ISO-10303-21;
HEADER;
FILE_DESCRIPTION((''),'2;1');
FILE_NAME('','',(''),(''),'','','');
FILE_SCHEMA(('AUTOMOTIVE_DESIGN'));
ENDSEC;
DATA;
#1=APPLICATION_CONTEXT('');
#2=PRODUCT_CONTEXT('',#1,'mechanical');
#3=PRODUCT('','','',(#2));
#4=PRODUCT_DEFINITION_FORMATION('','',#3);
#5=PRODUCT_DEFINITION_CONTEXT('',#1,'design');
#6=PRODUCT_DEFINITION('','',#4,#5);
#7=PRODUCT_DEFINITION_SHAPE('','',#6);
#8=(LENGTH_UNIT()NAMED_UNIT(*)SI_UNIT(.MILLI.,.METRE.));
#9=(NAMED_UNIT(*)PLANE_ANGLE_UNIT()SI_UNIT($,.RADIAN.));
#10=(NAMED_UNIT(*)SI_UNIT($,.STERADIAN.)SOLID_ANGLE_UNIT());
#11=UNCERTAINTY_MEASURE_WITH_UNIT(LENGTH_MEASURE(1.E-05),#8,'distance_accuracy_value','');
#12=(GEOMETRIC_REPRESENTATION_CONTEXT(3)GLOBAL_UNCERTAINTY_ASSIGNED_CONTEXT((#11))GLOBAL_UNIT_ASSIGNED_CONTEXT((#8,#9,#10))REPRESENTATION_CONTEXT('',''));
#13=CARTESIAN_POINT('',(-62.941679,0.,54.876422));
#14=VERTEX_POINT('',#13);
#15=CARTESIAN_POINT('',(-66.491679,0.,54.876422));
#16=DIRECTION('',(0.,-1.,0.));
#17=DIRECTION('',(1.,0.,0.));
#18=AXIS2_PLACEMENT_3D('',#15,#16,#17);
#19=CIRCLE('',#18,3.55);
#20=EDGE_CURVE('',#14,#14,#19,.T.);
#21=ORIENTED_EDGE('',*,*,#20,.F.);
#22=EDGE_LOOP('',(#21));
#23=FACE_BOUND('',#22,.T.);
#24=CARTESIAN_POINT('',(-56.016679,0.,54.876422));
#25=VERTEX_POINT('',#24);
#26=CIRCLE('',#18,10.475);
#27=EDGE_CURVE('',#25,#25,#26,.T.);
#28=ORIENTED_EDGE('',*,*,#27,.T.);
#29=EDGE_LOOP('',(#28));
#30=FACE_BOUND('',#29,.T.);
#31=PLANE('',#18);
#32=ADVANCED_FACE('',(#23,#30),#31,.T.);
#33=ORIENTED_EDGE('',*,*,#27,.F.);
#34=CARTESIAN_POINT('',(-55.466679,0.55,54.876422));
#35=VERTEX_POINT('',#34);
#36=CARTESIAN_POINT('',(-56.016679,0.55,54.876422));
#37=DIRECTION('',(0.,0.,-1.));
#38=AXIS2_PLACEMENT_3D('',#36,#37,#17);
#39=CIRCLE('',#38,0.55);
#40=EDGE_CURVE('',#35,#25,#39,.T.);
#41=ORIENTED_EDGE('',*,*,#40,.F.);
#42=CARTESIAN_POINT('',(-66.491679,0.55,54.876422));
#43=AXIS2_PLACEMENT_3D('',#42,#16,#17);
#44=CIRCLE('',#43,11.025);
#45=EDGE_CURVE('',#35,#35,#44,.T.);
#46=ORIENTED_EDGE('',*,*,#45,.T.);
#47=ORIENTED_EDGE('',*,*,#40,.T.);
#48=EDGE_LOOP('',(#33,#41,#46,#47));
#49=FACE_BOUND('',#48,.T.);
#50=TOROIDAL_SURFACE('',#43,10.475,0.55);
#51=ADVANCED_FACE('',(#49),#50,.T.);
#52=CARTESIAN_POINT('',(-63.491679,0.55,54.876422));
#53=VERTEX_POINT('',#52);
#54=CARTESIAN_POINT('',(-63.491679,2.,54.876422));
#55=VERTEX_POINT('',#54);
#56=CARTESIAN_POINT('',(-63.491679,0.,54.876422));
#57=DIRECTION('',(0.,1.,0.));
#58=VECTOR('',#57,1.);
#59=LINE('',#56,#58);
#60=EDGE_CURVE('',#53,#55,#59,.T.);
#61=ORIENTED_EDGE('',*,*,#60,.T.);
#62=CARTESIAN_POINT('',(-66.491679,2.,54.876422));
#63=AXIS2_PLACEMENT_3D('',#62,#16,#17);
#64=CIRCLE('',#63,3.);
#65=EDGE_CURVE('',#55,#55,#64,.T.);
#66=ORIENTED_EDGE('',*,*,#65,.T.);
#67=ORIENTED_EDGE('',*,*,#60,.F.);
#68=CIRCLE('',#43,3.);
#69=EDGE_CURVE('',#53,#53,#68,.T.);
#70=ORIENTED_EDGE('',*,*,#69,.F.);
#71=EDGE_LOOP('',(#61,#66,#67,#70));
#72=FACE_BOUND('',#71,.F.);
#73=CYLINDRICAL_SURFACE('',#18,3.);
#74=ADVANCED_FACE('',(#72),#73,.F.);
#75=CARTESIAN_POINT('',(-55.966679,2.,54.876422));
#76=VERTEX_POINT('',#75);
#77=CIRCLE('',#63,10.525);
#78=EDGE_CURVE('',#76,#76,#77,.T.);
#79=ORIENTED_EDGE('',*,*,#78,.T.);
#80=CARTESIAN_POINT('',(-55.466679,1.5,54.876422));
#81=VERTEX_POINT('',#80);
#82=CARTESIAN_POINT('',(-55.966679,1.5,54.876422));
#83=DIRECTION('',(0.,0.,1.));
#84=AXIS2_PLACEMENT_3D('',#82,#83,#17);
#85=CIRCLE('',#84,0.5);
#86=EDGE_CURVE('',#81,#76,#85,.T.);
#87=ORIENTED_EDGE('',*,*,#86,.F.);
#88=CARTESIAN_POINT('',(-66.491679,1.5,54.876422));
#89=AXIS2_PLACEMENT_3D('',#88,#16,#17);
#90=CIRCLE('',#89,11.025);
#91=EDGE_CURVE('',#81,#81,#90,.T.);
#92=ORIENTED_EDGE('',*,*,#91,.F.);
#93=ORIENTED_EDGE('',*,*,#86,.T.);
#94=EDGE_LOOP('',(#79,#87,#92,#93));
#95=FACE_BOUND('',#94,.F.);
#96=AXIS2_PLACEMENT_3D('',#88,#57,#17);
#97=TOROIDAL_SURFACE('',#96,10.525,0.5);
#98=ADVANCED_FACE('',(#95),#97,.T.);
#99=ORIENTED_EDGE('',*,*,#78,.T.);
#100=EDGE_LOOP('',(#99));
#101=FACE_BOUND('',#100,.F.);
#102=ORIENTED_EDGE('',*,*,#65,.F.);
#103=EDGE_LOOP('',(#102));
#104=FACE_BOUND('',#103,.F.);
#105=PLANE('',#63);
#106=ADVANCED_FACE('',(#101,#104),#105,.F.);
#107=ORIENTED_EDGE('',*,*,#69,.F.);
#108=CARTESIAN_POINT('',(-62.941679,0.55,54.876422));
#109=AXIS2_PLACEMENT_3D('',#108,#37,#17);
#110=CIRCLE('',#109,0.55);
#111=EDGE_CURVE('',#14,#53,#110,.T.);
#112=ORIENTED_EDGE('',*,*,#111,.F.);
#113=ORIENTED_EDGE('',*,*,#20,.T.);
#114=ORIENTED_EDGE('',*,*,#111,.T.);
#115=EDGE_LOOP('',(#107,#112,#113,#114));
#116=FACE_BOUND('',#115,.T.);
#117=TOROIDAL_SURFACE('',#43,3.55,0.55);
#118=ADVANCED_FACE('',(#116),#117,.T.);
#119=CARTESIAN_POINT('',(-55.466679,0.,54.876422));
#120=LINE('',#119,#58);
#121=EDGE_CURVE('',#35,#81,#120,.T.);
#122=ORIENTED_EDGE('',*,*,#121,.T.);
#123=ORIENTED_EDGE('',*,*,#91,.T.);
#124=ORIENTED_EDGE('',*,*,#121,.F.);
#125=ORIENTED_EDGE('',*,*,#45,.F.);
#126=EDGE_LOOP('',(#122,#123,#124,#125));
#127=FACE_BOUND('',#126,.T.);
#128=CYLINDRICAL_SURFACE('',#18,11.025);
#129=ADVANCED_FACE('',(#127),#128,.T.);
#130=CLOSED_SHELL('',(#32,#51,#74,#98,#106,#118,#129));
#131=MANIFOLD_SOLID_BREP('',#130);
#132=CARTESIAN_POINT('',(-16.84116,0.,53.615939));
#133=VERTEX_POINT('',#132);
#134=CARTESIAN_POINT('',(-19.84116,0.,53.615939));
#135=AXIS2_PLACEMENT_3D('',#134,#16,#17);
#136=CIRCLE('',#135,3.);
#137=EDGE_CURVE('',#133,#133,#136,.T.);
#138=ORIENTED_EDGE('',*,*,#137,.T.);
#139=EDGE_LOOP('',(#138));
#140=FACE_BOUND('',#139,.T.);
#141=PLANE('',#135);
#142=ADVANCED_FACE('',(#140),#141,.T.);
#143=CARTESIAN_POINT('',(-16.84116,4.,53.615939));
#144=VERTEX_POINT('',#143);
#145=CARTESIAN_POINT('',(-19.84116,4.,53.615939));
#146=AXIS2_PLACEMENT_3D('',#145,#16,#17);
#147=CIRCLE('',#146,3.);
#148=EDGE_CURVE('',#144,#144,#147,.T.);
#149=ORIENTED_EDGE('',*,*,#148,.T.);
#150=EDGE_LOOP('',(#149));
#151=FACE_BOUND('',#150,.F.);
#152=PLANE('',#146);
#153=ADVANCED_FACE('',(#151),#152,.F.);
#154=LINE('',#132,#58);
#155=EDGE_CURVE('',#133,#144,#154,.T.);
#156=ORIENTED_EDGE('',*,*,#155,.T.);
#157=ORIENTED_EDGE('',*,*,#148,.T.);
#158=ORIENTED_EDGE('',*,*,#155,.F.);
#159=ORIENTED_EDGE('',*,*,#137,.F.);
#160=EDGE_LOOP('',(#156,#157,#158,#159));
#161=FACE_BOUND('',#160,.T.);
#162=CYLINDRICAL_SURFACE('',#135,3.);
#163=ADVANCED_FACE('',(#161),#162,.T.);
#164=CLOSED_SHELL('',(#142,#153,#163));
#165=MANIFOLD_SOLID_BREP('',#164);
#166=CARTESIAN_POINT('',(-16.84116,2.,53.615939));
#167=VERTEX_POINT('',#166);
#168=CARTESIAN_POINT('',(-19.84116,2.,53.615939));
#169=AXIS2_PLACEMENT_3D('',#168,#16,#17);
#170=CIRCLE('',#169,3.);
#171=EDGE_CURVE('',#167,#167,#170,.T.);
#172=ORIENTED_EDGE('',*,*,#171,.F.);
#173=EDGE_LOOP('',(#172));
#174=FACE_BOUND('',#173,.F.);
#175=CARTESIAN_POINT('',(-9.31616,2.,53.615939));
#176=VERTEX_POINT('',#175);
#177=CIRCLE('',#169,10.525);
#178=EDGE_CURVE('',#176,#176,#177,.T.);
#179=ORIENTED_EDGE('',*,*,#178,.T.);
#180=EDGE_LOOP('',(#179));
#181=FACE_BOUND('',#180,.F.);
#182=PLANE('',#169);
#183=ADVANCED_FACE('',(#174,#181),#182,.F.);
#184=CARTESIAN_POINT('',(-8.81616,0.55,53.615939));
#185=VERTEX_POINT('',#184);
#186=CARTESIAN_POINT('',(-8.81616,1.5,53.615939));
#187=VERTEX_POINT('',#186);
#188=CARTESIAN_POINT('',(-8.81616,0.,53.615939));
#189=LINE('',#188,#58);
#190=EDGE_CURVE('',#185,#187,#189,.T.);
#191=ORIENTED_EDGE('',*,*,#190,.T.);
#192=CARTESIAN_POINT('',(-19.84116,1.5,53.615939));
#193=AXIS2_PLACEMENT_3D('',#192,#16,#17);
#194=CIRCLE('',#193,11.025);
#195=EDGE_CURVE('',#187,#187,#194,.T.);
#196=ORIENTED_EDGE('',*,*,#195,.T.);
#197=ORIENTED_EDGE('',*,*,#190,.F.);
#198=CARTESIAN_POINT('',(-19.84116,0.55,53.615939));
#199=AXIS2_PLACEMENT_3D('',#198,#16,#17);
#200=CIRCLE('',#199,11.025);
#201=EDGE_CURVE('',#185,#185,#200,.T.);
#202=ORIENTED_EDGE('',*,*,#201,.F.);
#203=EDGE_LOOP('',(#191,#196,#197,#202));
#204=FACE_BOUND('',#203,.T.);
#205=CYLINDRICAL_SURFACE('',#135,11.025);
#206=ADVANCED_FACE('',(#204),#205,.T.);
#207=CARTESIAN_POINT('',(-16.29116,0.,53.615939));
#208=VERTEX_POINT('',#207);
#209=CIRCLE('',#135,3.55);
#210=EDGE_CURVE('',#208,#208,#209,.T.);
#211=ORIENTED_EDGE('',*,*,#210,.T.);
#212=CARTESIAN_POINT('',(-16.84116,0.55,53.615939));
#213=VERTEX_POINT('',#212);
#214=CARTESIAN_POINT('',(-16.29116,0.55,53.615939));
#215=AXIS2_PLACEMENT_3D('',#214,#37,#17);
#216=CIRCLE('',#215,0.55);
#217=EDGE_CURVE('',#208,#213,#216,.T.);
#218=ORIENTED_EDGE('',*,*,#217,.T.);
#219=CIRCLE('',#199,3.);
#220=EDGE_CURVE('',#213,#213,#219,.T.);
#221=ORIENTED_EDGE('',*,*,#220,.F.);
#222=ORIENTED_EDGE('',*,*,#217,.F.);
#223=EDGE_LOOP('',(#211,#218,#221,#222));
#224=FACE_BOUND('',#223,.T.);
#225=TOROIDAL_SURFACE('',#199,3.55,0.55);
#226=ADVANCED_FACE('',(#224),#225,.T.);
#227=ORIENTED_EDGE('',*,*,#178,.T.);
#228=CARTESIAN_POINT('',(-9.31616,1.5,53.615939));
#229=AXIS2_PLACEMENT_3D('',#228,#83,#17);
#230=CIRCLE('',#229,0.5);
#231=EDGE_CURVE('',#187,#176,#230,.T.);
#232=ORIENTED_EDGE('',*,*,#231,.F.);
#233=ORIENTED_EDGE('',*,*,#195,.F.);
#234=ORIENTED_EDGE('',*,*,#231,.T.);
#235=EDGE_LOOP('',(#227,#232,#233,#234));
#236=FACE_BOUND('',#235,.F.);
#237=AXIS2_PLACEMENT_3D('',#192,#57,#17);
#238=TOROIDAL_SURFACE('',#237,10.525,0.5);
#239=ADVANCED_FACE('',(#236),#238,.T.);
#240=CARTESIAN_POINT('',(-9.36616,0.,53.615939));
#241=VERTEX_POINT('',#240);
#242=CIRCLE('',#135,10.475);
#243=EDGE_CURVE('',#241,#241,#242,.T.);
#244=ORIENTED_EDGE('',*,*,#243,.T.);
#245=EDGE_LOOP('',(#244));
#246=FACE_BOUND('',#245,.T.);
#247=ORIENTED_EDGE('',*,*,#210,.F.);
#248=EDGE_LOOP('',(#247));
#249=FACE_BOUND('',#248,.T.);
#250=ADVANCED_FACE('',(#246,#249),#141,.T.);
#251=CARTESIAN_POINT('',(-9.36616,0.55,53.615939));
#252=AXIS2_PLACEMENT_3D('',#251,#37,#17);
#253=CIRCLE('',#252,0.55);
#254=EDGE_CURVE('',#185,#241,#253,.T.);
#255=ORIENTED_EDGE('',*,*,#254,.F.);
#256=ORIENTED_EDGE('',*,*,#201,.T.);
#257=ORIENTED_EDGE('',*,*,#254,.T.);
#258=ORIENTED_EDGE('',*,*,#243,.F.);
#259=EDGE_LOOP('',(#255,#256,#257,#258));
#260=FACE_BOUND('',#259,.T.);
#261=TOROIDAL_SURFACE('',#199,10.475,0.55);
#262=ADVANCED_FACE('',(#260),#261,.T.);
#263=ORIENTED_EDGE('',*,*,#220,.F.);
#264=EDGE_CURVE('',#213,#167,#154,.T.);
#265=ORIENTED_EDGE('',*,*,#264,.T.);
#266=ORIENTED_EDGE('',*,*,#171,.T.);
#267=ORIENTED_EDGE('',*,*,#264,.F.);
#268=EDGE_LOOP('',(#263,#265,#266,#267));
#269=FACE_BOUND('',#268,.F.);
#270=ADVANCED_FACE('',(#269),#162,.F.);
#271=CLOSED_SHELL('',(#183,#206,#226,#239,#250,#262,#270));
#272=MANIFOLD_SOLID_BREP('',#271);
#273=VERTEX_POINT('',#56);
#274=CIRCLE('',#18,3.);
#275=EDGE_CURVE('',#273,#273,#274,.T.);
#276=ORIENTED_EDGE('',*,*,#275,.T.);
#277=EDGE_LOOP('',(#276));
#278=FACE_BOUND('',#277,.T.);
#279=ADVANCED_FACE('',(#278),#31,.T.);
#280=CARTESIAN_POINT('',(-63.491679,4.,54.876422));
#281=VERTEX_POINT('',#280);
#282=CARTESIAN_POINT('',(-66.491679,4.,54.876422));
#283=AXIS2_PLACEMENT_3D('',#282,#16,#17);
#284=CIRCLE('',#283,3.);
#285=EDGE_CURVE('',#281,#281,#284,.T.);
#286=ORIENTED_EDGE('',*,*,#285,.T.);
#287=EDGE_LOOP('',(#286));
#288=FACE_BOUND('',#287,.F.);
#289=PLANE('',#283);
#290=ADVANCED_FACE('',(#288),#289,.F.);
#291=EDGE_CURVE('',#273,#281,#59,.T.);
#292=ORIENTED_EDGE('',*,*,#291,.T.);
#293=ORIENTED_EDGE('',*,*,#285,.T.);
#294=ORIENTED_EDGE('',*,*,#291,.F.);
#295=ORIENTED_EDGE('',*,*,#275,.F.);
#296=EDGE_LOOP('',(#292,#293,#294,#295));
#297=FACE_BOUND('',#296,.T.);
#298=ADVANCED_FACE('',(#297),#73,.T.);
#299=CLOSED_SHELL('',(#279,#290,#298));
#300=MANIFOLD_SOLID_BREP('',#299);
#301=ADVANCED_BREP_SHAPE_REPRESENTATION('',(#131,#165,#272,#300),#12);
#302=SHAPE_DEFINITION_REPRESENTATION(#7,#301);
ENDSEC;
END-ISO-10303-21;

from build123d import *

# Parameters (mm, degrees)
F0_R     = 11.025
F0_R_2   = 3
F1_DEPTH = 2
F2_R     = 0.5
F3_DEPTH = 4
F4_R     = 0.55


with BuildPart() as f1:
    # F0 (on Front) → F1 (new body)
    with BuildSketch(Plane.XZ):
        with Locations((-19.84116, 53.615939)):
            Circle(F0_R)
        with Locations((-19.84116, 53.615939)):
            Circle(F0_R_2, mode=Mode.SUBTRACT)
        with Locations((-66.491679, 54.876422)):
            Circle(F0_R)
        with Locations((-66.491679, 54.876422)):
            Circle(F0_R_2, mode=Mode.SUBTRACT)
    extrude(amount=-F1_DEPTH)

    # F2
    f2_edges = [f1.edges().sort_by_distance(p)[0] for p in [
        (-30.86616, 2, 53.615939),
        (-77.516679, 2, 54.876422),
    ]]
    fillet(f2_edges, radius=F2_R)

    # F4
    f4_edges = [f1.edges().sort_by_distance(p)[0] for p in [
        (-77.516679, 0, 54.876422),
        (-69.491679, 0, 54.876422),
        (-30.86616, 0, 53.615939),
        (-22.84116, 0, 53.615939),
    ]]
    fillet(f4_edges, radius=F4_R)


with BuildPart() as f3:
    # F0 (on Front) → F3 (new body)
    with BuildSketch(Plane.XZ):
        with Locations((-66.491679, 54.876422)):
            Circle(F0_R_2)
        with Locations((-19.84116, 53.615939)):
            Circle(F0_R_2)
    extrude(amount=-F3_DEPTH)


solid = Compound([f1.part, f3.part])
